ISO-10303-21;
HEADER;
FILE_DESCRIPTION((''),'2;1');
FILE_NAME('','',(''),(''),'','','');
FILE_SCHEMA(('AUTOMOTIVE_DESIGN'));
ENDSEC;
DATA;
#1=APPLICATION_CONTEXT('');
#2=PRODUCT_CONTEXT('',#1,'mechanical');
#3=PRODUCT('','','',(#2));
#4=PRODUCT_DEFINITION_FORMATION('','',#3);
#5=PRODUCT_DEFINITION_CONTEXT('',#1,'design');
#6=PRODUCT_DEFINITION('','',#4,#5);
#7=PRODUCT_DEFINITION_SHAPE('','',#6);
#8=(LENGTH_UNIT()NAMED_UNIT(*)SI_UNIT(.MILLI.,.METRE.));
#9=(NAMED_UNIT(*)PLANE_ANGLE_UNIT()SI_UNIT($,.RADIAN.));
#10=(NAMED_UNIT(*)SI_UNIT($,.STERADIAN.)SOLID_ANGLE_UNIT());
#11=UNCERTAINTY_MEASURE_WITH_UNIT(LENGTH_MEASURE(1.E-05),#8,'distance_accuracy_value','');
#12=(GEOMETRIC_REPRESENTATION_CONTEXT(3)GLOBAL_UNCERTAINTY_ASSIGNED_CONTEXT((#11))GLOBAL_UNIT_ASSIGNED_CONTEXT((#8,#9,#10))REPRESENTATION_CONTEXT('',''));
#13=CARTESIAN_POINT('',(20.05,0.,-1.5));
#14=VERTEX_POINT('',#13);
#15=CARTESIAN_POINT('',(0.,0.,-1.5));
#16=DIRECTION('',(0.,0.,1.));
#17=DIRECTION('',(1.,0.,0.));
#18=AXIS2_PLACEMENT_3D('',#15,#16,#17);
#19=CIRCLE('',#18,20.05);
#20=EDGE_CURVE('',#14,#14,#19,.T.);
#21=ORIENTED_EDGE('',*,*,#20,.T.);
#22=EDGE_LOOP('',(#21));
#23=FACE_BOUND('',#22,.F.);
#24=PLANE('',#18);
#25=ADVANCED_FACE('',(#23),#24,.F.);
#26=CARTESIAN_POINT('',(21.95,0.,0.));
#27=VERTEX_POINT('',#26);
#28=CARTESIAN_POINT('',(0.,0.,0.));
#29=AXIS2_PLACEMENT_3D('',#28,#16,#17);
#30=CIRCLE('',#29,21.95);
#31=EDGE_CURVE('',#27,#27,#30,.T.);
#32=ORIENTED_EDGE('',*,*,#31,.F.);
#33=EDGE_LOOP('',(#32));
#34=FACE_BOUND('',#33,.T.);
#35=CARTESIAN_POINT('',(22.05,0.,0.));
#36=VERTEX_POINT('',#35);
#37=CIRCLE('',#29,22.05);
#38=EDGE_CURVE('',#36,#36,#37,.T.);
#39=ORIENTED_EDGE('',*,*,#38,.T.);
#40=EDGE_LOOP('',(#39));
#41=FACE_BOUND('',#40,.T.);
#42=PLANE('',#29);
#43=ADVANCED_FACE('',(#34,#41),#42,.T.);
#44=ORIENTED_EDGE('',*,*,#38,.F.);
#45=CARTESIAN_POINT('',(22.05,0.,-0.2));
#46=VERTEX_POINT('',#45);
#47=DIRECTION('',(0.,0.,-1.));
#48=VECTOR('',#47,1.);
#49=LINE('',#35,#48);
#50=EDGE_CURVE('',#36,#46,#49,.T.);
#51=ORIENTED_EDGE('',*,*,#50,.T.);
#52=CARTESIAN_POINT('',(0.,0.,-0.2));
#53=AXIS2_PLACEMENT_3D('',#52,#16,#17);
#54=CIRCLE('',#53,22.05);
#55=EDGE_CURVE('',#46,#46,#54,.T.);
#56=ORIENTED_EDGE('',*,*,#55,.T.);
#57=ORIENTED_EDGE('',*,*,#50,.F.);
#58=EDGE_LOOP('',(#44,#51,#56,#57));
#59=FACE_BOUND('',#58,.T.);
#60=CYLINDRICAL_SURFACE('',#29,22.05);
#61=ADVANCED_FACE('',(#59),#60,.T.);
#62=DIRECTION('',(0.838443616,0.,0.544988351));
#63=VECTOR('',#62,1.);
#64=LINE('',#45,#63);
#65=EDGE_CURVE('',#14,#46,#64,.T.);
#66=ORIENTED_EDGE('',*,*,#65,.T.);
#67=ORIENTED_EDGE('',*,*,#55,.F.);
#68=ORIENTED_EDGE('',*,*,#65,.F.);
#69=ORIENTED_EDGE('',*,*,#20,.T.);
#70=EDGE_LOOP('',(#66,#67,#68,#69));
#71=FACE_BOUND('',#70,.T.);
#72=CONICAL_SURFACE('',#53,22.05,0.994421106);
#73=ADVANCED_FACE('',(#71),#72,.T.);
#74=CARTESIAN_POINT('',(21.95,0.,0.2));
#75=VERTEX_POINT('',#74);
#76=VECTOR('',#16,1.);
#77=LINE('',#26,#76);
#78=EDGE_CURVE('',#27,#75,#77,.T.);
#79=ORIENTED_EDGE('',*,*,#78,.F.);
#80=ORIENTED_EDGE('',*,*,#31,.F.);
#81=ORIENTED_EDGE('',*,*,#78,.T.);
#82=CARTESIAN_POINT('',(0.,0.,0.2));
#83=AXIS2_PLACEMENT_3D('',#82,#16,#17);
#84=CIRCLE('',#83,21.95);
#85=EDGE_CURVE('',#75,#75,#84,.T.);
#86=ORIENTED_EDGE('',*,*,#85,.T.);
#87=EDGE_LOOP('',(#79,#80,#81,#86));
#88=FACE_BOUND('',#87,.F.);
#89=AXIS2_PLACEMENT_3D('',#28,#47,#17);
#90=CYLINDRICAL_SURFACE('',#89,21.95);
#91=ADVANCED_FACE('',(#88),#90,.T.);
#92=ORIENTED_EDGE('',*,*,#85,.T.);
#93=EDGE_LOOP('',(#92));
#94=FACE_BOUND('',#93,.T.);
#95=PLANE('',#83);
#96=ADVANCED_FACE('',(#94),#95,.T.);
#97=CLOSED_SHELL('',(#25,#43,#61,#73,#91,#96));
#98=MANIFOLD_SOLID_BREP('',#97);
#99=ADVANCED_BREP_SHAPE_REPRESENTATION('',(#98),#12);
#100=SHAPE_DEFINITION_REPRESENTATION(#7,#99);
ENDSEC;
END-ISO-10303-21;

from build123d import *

# Parameters (mm, degrees)
F0_R     = 22.05
F1_DEPTH = 1.5
F2_SIZE2 = 1.3
F2_SIZE  = 2
F3_R     = 21.95
F4_DEPTH = 0.2


with BuildPart() as f1:
    # F0 (on Top) → F1 (new body)
    with BuildSketch(Plane.XY):
        Circle(F0_R)
    extrude(amount=-F1_DEPTH)

    # F2
    f2_edges = [f1.edges().sort_by_distance(p)[0] for p in [
        (-22.05, 0, -1.5),
    ]]
    f2_side = f1.faces().sort_by_distance((0, 0, -1.5))[0]
    chamfer(f2_edges, length=F2_SIZE, length2=F2_SIZE2, reference=f2_side)

    # F3 (on face) → F4 (join)
    with BuildSketch(Plane.XY):
        Circle(F3_R)
    extrude(amount=F4_DEPTH)


solid = f1.part
